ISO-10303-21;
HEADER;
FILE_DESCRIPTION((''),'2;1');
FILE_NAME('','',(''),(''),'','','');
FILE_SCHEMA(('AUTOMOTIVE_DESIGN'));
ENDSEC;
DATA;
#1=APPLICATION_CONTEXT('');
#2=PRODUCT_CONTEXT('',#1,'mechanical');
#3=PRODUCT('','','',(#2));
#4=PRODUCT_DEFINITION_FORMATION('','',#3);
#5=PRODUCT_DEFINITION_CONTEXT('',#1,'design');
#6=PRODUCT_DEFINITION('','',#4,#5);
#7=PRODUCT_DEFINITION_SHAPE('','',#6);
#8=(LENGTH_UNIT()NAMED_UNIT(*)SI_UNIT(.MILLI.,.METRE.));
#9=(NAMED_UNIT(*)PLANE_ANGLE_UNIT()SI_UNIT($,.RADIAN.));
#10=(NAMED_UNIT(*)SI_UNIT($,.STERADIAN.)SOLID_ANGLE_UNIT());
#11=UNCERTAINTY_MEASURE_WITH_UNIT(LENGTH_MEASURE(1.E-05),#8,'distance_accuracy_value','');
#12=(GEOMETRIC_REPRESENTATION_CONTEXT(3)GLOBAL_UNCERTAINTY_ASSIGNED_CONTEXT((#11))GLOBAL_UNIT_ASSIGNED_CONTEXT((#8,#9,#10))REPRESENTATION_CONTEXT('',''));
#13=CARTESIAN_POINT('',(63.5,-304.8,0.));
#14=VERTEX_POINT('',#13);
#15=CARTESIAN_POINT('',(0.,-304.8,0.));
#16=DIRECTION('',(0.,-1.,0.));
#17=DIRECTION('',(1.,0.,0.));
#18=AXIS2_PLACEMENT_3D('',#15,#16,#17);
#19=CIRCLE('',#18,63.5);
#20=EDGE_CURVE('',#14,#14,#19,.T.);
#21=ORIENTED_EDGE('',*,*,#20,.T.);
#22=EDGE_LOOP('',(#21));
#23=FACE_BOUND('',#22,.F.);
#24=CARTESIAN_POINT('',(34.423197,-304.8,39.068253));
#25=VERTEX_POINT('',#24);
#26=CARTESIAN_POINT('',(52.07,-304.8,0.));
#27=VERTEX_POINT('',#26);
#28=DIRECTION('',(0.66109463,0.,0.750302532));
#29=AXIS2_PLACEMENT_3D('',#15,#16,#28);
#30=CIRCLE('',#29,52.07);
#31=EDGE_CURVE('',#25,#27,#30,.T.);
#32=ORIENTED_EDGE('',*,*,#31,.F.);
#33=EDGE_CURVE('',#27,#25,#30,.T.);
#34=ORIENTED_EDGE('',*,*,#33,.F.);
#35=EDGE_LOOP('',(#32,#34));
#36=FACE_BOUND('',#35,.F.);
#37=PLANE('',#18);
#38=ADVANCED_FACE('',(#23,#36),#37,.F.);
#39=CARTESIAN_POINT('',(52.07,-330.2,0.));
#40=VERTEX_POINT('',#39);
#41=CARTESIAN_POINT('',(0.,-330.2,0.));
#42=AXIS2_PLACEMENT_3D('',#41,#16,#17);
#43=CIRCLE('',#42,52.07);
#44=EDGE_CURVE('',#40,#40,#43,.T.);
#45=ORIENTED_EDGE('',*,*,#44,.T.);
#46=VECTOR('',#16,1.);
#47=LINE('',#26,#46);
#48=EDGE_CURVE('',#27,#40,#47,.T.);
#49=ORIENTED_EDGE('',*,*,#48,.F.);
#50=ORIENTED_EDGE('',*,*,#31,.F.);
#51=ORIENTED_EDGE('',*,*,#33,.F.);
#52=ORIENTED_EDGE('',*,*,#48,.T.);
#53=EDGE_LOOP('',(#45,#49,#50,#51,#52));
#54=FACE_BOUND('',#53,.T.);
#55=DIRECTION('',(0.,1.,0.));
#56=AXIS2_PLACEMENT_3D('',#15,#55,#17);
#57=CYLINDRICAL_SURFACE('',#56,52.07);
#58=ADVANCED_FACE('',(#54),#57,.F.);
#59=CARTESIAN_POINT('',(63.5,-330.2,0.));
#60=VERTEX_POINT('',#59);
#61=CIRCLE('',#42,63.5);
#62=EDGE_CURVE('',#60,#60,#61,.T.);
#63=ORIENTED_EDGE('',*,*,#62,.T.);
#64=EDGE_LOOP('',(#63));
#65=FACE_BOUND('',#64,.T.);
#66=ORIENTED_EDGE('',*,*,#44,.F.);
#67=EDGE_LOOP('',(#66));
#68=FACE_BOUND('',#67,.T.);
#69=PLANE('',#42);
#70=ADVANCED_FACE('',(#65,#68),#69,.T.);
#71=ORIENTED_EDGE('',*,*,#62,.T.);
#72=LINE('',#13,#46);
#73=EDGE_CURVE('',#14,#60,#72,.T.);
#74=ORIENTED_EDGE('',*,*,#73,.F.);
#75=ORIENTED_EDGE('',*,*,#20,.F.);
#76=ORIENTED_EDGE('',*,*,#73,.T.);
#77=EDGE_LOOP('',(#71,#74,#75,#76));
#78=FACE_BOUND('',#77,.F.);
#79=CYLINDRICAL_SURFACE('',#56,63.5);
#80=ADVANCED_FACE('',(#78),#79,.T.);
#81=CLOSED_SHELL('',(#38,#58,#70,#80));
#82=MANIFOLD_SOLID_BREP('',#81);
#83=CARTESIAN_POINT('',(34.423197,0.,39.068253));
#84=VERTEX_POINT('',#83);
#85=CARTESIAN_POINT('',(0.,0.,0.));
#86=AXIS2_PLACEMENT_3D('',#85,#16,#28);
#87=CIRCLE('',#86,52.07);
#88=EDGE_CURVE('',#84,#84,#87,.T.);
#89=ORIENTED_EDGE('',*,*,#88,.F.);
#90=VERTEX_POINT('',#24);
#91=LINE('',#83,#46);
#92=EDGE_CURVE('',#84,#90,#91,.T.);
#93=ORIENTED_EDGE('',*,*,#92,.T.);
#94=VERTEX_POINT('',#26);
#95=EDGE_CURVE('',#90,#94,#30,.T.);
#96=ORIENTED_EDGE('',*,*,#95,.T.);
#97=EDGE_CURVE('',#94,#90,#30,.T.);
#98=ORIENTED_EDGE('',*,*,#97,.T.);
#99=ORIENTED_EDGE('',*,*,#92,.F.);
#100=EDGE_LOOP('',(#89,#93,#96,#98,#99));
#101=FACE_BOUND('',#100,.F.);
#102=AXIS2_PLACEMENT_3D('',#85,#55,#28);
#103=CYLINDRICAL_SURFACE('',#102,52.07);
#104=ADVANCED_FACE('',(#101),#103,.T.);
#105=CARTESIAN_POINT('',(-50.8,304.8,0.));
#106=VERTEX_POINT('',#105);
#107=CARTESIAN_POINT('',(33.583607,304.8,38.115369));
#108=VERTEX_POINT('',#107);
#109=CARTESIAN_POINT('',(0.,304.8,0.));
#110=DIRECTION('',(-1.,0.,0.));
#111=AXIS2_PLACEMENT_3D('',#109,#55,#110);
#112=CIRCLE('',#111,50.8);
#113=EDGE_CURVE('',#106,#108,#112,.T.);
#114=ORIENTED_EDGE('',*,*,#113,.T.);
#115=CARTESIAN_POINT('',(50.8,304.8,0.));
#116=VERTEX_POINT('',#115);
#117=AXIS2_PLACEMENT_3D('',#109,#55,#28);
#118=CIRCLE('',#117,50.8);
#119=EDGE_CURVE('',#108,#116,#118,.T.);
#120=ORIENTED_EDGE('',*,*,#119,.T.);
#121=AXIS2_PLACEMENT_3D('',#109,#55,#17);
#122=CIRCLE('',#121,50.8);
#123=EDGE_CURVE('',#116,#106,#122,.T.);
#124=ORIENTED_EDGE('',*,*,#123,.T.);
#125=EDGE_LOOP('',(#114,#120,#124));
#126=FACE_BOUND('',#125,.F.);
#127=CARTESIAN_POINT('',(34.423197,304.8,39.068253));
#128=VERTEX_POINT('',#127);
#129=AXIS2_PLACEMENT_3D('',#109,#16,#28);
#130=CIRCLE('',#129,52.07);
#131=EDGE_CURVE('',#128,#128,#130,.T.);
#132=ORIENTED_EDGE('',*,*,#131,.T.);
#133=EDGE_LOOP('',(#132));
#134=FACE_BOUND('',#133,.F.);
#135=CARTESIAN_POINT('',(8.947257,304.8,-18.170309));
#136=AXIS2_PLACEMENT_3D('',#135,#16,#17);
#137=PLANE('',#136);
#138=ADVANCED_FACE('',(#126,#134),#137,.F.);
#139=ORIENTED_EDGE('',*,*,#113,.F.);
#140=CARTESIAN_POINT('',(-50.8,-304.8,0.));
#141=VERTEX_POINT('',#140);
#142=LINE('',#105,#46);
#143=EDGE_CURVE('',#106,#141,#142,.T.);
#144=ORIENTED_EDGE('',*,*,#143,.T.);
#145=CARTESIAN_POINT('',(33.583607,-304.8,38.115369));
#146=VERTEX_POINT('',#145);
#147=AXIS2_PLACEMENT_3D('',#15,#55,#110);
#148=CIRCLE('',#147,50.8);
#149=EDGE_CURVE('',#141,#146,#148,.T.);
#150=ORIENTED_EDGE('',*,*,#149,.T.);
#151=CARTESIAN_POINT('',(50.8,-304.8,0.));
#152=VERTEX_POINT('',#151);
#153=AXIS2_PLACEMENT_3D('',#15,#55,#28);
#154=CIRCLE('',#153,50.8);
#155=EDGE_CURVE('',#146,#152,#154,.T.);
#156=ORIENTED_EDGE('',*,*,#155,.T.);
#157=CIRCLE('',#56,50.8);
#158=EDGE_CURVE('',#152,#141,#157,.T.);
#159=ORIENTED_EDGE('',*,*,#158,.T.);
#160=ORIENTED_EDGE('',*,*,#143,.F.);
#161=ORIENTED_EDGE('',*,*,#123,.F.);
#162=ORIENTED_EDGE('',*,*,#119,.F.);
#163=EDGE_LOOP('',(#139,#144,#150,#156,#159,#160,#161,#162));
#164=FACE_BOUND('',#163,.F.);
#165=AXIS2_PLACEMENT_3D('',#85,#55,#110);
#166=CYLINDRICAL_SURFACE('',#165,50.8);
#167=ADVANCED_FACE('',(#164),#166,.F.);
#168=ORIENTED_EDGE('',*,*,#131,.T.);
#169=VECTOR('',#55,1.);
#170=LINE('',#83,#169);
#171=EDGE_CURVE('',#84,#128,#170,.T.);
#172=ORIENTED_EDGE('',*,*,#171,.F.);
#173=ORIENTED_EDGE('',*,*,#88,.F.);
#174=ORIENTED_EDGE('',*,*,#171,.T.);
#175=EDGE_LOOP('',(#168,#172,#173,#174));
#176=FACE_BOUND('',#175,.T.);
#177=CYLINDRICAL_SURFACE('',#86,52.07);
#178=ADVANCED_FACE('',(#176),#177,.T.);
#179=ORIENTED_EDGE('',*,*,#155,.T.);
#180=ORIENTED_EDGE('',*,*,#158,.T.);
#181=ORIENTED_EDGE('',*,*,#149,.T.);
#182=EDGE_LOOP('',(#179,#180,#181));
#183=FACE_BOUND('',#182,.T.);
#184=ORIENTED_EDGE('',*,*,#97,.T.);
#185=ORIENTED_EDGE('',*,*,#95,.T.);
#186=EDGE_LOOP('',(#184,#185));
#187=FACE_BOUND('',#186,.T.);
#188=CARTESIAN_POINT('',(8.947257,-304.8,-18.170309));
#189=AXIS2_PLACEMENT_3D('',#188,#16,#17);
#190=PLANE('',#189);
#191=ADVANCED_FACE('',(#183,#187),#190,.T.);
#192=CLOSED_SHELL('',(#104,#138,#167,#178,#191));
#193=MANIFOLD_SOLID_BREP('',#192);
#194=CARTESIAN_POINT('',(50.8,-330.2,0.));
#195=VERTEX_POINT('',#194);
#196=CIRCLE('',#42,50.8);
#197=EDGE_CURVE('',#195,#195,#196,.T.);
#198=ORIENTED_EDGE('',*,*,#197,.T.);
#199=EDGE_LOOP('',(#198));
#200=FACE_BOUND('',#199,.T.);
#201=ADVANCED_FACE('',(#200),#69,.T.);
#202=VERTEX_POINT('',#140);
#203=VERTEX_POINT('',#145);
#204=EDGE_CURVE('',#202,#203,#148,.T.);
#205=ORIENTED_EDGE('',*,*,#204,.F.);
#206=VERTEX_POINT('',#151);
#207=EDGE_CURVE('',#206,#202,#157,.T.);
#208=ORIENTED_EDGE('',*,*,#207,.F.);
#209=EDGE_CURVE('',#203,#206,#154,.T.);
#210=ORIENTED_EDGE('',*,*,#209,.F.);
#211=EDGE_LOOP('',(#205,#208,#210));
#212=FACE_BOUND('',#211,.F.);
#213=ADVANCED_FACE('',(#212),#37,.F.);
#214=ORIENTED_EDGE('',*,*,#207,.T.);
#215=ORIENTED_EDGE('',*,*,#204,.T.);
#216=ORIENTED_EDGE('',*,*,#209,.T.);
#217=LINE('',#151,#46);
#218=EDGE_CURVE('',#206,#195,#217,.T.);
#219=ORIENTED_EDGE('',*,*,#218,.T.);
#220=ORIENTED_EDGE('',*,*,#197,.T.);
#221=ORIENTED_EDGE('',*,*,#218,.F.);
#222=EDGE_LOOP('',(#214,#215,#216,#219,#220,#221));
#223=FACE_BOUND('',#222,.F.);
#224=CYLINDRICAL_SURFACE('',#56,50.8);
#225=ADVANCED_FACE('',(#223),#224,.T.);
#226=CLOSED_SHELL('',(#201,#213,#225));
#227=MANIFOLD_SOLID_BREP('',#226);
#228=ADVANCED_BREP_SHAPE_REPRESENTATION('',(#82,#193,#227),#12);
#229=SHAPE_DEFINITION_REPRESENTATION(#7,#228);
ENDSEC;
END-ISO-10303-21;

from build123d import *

# Parameters (mm, degrees)
F1_DEPTH = 304.8
F2_R     = 63.5
F2_R_2   = 52.07
F2_R_3   = 50.8
F3_DEPTH = 25.4


with BuildPart() as f1:
    # F0 (on Front) → F1 (new body, symmetric)
    with BuildSketch(Plane.XZ):
        with BuildLine():
            ThreePointArc((50.8, 0), (0, -50.8), (-50.8, 0))
            Line((-50.8, 0), (-52.07, 0))
            ThreePointArc((-52.07, 0), (0, -52.07), (52.07, 0))
            ThreePointArc((52.07, 0), (47.4536657605, 21.434423386), (34.4231973924, 39.0682528568))
            Line((34.4231973924, 39.0682528568), (33.5836072121, 38.1153686408))
            ThreePointArc((33.5836072121, 38.1153686408), (46.2962592786, 20.9116325717), (50.8, 0))
        make_face()
        with BuildLine():
            Line((-52.07, 0), (-50.8, 0))
            ThreePointArc((-50.8, 0), (-20.9116325717, 46.2962592786), (33.5836072121, 38.1153686408))
            Line((33.5836072121, 38.1153686408), (34.4231973924, 39.0682528568))
            ThreePointArc((34.4231973924, 39.0682528568), (-21.434423386, 47.4536657605), (-52.07, 0))
        make_face()
    extrude(amount=F1_DEPTH, both=True)

    # F2 (on face) → F3 (join)
    with BuildSketch(Plane.XZ.offset(304.8)):
        Circle(F2_R)
        Circle(F2_R_2, mode=Mode.SUBTRACT)
        Circle(F2_R_3)
    extrude(amount=F3_DEPTH)


solid = f1.part
